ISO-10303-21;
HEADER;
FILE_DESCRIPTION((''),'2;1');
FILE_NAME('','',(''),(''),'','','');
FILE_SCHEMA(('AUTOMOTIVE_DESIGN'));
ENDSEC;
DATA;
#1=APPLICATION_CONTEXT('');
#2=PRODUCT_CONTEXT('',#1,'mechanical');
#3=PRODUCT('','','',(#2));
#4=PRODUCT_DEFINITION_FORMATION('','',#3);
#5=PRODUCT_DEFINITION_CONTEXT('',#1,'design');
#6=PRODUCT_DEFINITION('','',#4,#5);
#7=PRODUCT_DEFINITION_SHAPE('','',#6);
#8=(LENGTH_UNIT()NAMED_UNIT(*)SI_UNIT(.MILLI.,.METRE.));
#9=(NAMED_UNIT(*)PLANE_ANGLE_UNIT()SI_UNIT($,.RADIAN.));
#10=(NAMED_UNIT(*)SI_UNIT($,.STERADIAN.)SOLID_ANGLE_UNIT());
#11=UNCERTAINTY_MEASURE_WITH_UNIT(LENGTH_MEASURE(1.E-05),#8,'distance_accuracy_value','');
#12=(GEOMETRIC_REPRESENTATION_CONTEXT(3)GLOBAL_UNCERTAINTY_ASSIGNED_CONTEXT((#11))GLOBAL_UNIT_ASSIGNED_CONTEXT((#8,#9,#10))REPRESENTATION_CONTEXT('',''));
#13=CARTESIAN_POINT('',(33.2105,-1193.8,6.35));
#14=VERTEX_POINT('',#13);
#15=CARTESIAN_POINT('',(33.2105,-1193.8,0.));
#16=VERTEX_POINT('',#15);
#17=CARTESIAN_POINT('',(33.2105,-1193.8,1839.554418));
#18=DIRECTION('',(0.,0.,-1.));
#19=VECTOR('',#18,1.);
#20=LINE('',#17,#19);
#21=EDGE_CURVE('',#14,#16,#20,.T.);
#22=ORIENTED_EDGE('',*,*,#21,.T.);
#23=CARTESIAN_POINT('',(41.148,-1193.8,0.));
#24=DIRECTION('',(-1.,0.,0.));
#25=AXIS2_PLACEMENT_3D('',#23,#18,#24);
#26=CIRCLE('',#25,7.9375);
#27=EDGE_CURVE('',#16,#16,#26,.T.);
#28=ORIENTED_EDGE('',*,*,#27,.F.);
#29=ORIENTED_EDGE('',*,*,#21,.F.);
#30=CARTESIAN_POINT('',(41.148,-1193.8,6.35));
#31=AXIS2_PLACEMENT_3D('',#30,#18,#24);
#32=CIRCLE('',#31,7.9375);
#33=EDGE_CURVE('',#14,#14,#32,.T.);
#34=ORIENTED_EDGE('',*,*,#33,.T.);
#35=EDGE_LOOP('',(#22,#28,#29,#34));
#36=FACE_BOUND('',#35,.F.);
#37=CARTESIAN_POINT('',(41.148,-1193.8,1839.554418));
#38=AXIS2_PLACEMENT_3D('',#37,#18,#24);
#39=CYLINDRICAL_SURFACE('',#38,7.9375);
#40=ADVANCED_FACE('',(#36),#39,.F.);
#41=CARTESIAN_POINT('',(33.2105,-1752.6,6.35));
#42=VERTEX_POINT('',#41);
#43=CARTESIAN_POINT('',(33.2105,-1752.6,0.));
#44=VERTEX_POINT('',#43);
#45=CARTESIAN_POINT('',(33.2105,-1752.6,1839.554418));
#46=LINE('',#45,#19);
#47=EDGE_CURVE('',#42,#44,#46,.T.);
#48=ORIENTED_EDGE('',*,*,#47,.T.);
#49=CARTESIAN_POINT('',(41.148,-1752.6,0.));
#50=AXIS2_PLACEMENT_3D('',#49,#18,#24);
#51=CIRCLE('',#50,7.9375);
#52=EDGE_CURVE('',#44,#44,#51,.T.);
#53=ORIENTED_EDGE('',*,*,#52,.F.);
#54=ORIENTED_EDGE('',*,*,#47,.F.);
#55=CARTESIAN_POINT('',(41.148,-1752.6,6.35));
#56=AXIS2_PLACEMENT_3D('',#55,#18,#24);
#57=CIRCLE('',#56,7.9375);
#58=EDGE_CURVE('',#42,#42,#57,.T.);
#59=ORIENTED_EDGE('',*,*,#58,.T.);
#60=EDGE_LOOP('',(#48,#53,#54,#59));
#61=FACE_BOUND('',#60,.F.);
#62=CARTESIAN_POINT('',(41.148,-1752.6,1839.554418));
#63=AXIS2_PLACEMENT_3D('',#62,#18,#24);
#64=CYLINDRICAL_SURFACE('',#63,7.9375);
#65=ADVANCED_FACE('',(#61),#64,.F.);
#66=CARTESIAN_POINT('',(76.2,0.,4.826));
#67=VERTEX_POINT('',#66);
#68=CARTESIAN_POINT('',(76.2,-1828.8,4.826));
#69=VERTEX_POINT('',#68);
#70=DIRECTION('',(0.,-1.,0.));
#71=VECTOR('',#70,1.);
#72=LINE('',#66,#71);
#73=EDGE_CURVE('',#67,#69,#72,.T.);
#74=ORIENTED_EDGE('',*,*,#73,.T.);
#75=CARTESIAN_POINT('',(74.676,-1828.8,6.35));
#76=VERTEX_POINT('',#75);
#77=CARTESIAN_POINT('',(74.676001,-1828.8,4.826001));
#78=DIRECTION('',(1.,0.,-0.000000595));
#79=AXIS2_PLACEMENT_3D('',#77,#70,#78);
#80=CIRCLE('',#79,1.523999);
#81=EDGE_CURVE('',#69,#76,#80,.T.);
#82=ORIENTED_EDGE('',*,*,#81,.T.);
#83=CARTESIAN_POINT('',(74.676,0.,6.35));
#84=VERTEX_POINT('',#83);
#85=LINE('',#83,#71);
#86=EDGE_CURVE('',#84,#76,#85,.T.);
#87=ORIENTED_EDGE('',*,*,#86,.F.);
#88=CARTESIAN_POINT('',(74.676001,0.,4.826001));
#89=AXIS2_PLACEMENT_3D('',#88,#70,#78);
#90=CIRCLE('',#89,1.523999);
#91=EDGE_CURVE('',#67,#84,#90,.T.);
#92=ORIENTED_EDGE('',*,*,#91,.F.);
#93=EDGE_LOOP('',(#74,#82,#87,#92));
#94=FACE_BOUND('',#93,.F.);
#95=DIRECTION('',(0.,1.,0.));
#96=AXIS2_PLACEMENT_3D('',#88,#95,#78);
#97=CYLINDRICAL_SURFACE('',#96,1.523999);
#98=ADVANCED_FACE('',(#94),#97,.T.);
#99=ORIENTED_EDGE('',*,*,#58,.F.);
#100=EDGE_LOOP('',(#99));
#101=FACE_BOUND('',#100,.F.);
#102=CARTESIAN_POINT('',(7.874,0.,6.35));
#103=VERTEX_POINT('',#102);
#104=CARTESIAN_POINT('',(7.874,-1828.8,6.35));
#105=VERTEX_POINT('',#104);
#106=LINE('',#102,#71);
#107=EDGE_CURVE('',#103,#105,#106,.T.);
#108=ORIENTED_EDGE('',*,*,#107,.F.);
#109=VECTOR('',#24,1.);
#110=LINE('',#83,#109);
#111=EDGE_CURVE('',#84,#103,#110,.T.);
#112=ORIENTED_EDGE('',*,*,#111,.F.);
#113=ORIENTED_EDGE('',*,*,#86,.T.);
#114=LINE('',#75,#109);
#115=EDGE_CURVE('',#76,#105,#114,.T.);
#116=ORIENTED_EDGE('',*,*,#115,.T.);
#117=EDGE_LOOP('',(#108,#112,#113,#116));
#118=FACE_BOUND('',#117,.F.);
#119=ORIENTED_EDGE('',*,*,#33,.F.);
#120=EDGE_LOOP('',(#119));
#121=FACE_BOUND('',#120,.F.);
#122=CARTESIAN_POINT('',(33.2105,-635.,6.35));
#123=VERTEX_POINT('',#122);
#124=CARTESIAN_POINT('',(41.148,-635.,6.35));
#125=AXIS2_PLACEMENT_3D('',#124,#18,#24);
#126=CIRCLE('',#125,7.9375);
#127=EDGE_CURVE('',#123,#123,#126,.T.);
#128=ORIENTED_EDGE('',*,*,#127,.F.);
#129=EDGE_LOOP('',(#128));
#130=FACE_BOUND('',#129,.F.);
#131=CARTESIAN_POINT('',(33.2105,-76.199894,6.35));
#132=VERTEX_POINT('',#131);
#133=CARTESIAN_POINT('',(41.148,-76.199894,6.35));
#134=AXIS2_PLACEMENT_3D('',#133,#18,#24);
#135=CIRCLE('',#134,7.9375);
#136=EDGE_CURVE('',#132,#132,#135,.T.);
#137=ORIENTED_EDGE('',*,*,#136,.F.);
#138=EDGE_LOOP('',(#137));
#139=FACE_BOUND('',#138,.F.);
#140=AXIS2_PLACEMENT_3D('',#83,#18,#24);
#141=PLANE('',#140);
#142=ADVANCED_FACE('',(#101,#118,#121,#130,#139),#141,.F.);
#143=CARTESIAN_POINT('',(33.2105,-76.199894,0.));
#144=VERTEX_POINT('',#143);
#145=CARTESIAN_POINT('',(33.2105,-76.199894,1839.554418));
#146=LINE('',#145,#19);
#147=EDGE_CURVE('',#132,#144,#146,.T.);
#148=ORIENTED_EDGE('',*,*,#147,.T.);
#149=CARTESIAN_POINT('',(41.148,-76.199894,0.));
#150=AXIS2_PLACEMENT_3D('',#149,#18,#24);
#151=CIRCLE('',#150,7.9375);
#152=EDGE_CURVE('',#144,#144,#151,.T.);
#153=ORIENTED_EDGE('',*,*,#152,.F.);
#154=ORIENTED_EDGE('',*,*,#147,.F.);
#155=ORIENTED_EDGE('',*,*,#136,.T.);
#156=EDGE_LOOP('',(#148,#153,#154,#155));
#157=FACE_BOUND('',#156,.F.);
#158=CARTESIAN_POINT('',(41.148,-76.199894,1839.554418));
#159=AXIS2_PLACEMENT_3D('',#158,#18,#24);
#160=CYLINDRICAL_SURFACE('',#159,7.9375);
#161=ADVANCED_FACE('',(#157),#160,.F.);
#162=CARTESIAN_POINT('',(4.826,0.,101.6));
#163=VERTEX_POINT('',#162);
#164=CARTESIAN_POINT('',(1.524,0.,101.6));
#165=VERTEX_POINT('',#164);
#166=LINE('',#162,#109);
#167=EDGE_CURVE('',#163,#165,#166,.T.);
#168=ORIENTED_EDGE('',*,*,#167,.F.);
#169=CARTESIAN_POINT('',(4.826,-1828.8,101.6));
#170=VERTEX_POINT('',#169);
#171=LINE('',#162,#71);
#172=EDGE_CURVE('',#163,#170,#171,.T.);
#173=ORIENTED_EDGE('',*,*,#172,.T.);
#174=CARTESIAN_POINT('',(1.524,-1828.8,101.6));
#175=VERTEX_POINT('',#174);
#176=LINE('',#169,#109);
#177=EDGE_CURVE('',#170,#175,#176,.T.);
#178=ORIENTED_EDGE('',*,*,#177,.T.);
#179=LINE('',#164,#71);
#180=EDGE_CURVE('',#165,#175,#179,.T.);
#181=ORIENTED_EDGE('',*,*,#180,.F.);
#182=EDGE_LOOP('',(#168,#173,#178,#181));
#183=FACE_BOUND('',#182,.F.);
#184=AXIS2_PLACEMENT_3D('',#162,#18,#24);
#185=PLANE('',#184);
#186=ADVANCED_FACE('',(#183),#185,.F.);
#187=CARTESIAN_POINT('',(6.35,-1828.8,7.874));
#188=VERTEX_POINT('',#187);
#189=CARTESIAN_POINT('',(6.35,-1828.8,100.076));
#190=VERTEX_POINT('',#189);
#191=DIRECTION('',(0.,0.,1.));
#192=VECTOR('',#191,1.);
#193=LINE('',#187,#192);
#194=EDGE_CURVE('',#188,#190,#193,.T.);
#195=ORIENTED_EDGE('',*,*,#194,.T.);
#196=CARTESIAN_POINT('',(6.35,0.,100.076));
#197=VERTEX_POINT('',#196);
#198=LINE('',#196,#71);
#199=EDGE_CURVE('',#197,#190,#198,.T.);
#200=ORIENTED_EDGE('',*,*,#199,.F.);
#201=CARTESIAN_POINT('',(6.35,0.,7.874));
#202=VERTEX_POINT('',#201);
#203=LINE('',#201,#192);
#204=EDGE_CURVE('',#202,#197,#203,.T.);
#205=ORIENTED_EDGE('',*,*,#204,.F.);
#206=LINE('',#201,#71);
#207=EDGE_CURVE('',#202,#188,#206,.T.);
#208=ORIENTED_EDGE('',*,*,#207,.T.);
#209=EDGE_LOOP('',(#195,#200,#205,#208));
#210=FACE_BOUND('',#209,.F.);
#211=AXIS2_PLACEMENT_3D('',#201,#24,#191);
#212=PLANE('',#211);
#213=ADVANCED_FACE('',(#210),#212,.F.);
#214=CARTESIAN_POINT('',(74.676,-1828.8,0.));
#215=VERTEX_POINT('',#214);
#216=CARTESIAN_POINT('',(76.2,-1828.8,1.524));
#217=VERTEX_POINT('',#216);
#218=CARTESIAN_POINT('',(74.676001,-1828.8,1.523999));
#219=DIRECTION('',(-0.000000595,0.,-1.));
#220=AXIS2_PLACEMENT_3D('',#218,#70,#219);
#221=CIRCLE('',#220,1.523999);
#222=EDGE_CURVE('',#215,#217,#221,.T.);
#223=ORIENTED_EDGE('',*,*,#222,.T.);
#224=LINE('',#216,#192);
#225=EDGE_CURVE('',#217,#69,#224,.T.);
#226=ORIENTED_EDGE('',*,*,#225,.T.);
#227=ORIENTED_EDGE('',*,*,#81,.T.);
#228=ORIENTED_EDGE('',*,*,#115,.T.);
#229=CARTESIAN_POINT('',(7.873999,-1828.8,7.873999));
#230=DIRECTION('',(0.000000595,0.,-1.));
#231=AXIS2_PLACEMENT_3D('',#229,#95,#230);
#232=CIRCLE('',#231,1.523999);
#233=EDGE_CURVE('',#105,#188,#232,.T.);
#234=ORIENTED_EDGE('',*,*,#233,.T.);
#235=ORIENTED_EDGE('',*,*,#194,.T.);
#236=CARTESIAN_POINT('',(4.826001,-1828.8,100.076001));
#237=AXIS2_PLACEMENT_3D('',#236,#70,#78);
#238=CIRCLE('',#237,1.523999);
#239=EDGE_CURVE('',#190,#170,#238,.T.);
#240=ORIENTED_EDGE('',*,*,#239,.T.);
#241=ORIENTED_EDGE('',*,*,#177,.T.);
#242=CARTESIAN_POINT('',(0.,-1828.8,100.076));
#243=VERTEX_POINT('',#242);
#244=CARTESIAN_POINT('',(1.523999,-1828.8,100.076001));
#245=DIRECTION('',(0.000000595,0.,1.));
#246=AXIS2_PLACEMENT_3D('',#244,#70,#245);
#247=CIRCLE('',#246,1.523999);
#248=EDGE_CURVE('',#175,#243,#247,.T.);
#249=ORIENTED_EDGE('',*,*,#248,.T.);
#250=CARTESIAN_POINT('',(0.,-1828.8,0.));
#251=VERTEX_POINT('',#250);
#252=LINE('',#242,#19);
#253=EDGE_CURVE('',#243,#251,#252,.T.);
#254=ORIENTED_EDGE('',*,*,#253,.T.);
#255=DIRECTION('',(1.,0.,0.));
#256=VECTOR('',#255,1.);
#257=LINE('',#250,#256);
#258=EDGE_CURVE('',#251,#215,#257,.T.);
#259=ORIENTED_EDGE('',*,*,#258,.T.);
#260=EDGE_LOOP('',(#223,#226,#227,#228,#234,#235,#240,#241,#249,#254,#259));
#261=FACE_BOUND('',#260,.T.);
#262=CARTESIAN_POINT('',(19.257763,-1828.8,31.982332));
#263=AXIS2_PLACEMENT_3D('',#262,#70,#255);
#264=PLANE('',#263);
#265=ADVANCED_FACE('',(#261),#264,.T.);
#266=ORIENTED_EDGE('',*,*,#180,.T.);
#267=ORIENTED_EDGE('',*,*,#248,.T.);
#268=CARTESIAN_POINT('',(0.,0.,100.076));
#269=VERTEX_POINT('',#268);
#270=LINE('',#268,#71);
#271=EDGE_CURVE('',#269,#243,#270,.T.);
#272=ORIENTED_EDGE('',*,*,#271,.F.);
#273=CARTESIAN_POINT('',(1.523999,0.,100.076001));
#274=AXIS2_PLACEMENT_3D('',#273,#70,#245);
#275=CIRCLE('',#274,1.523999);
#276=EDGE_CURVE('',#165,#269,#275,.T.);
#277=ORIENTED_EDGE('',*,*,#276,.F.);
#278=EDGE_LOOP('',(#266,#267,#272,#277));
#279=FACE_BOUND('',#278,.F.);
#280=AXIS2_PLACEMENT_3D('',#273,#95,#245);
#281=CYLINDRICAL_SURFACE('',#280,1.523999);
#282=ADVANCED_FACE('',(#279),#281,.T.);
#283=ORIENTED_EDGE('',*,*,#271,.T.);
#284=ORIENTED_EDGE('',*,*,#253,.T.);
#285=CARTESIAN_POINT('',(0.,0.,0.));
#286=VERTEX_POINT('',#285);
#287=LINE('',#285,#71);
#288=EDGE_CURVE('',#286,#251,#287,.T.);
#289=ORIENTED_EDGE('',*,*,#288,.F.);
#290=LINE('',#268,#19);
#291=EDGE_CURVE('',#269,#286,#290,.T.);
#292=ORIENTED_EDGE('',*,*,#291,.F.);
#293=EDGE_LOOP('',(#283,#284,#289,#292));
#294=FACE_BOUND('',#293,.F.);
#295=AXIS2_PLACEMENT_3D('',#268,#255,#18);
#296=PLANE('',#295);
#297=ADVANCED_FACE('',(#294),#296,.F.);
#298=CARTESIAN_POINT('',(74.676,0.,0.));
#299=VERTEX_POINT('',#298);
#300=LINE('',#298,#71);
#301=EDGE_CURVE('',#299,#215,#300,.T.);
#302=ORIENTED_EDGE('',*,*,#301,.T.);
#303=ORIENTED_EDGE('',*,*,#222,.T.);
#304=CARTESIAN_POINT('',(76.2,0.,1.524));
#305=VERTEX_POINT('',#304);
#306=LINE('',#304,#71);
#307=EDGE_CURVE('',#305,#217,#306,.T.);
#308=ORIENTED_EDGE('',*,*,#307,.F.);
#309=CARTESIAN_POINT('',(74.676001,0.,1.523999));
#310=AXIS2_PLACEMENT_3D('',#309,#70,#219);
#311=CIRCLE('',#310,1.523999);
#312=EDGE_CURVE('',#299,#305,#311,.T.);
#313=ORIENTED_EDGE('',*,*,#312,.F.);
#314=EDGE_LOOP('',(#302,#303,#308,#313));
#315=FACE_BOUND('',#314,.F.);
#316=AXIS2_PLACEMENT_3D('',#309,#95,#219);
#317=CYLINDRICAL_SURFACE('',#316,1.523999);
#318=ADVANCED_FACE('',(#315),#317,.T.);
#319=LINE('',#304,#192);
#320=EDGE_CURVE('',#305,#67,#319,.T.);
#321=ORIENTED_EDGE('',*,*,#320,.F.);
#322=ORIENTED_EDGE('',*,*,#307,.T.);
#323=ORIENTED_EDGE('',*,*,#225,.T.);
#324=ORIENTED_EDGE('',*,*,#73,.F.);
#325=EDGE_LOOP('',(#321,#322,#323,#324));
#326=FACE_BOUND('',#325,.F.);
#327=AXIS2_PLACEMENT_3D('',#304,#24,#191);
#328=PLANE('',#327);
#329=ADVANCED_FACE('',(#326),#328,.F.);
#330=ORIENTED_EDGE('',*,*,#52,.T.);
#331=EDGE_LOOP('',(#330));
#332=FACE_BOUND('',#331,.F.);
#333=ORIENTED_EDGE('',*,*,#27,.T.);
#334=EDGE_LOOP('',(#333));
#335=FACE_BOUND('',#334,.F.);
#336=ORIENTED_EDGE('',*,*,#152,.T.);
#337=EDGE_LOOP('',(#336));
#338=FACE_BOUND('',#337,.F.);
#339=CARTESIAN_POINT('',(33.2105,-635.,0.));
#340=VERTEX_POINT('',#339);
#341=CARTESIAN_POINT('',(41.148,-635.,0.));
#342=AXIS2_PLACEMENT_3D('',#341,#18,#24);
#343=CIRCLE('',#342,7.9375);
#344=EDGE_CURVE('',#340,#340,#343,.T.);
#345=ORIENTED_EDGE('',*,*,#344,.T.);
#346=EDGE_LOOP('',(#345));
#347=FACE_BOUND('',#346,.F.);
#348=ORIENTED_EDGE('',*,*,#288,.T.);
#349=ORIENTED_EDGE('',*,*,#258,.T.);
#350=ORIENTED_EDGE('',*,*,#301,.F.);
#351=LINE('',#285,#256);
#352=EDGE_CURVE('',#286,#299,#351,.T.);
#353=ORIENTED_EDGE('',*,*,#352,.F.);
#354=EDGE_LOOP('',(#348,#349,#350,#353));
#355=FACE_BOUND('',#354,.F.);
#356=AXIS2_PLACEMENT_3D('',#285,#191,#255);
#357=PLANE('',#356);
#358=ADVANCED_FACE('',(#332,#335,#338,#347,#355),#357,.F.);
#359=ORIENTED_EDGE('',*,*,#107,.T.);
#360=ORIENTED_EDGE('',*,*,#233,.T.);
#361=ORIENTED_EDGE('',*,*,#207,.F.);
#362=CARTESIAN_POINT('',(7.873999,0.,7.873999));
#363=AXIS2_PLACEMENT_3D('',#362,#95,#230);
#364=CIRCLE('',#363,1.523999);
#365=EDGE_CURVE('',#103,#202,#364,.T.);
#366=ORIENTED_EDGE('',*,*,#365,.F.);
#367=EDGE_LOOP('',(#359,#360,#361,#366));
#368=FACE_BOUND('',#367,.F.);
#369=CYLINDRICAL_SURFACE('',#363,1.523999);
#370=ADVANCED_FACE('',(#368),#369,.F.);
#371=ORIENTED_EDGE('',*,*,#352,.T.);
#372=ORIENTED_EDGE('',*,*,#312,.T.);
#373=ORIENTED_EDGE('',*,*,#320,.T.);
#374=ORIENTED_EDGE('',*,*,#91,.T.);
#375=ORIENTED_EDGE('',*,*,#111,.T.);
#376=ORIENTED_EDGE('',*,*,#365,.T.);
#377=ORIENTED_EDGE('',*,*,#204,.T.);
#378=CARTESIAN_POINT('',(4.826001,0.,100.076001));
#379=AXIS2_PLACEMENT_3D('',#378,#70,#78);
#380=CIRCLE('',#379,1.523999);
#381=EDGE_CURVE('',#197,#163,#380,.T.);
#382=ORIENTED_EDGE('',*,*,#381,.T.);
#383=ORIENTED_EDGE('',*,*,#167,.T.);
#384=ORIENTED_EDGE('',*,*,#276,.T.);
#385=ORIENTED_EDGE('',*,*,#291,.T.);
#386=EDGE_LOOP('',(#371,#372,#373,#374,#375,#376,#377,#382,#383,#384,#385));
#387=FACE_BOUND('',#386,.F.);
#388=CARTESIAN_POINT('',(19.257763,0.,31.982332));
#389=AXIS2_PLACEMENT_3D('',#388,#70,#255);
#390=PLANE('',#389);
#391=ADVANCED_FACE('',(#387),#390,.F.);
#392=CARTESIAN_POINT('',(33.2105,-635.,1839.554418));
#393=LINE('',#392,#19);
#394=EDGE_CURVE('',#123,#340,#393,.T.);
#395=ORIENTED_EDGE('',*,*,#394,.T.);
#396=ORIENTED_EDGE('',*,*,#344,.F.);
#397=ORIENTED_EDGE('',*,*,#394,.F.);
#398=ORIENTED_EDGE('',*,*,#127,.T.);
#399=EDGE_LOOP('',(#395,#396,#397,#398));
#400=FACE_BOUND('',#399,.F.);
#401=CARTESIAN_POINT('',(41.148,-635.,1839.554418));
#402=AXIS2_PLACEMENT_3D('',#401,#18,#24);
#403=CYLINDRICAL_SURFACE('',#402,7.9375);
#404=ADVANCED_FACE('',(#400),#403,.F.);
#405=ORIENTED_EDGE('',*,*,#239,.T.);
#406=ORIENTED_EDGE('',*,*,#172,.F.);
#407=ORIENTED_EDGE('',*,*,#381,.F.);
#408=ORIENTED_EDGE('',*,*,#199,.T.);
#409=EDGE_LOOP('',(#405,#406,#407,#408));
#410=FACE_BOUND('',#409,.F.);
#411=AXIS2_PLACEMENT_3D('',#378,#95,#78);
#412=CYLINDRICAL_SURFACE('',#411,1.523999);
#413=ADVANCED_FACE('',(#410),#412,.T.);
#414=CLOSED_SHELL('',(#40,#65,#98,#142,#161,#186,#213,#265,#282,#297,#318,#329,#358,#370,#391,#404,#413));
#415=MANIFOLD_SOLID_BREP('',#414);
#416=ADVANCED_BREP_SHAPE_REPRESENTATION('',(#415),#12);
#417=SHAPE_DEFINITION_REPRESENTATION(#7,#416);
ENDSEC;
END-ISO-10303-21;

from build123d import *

# Parameters (mm, degrees)
F1_DEPTH = 1828.8
F3_D     = 15.875


with BuildPart() as f1:
    # F0 (on Front) → F1 (new body)
    with BuildSketch(Plane.XZ):
        with BuildLine():
            Line((0, 100.076), (0, 0))
            Line((0, 0), (74.676, 0))
            ThreePointArc((74.676, 0), (75.753631, 0.446369), (76.2, 1.524))
            Line((76.2, 1.524), (76.2, 4.826))
            ThreePointArc((76.2, 4.826), (75.753631, 5.903631), (74.676, 6.35))
            Line((74.676, 6.35), (7.874, 6.35))
            ThreePointArc((7.874, 6.35), (6.796369, 6.796369), (6.35, 7.874))
            Line((6.35, 7.874), (6.35, 100.076))
            ThreePointArc((6.35, 100.076), (5.903631, 101.153631), (4.826, 101.6))
            Line((4.826, 101.6), (1.524, 101.6))
            ThreePointArc((1.524, 101.6), (0.446369, 101.153631), (0, 100.076))
        make_face()
    extrude(amount=F1_DEPTH)

    # F3 (through all)
    with Locations(Plane.XY.offset(6.35)):
        with Locations((41.148, -1752.6), (41.148, -1193.8), (41.148, -635), (41.148, -76.199894)):
            Hole(F3_D / 2)


solid = f1.part
